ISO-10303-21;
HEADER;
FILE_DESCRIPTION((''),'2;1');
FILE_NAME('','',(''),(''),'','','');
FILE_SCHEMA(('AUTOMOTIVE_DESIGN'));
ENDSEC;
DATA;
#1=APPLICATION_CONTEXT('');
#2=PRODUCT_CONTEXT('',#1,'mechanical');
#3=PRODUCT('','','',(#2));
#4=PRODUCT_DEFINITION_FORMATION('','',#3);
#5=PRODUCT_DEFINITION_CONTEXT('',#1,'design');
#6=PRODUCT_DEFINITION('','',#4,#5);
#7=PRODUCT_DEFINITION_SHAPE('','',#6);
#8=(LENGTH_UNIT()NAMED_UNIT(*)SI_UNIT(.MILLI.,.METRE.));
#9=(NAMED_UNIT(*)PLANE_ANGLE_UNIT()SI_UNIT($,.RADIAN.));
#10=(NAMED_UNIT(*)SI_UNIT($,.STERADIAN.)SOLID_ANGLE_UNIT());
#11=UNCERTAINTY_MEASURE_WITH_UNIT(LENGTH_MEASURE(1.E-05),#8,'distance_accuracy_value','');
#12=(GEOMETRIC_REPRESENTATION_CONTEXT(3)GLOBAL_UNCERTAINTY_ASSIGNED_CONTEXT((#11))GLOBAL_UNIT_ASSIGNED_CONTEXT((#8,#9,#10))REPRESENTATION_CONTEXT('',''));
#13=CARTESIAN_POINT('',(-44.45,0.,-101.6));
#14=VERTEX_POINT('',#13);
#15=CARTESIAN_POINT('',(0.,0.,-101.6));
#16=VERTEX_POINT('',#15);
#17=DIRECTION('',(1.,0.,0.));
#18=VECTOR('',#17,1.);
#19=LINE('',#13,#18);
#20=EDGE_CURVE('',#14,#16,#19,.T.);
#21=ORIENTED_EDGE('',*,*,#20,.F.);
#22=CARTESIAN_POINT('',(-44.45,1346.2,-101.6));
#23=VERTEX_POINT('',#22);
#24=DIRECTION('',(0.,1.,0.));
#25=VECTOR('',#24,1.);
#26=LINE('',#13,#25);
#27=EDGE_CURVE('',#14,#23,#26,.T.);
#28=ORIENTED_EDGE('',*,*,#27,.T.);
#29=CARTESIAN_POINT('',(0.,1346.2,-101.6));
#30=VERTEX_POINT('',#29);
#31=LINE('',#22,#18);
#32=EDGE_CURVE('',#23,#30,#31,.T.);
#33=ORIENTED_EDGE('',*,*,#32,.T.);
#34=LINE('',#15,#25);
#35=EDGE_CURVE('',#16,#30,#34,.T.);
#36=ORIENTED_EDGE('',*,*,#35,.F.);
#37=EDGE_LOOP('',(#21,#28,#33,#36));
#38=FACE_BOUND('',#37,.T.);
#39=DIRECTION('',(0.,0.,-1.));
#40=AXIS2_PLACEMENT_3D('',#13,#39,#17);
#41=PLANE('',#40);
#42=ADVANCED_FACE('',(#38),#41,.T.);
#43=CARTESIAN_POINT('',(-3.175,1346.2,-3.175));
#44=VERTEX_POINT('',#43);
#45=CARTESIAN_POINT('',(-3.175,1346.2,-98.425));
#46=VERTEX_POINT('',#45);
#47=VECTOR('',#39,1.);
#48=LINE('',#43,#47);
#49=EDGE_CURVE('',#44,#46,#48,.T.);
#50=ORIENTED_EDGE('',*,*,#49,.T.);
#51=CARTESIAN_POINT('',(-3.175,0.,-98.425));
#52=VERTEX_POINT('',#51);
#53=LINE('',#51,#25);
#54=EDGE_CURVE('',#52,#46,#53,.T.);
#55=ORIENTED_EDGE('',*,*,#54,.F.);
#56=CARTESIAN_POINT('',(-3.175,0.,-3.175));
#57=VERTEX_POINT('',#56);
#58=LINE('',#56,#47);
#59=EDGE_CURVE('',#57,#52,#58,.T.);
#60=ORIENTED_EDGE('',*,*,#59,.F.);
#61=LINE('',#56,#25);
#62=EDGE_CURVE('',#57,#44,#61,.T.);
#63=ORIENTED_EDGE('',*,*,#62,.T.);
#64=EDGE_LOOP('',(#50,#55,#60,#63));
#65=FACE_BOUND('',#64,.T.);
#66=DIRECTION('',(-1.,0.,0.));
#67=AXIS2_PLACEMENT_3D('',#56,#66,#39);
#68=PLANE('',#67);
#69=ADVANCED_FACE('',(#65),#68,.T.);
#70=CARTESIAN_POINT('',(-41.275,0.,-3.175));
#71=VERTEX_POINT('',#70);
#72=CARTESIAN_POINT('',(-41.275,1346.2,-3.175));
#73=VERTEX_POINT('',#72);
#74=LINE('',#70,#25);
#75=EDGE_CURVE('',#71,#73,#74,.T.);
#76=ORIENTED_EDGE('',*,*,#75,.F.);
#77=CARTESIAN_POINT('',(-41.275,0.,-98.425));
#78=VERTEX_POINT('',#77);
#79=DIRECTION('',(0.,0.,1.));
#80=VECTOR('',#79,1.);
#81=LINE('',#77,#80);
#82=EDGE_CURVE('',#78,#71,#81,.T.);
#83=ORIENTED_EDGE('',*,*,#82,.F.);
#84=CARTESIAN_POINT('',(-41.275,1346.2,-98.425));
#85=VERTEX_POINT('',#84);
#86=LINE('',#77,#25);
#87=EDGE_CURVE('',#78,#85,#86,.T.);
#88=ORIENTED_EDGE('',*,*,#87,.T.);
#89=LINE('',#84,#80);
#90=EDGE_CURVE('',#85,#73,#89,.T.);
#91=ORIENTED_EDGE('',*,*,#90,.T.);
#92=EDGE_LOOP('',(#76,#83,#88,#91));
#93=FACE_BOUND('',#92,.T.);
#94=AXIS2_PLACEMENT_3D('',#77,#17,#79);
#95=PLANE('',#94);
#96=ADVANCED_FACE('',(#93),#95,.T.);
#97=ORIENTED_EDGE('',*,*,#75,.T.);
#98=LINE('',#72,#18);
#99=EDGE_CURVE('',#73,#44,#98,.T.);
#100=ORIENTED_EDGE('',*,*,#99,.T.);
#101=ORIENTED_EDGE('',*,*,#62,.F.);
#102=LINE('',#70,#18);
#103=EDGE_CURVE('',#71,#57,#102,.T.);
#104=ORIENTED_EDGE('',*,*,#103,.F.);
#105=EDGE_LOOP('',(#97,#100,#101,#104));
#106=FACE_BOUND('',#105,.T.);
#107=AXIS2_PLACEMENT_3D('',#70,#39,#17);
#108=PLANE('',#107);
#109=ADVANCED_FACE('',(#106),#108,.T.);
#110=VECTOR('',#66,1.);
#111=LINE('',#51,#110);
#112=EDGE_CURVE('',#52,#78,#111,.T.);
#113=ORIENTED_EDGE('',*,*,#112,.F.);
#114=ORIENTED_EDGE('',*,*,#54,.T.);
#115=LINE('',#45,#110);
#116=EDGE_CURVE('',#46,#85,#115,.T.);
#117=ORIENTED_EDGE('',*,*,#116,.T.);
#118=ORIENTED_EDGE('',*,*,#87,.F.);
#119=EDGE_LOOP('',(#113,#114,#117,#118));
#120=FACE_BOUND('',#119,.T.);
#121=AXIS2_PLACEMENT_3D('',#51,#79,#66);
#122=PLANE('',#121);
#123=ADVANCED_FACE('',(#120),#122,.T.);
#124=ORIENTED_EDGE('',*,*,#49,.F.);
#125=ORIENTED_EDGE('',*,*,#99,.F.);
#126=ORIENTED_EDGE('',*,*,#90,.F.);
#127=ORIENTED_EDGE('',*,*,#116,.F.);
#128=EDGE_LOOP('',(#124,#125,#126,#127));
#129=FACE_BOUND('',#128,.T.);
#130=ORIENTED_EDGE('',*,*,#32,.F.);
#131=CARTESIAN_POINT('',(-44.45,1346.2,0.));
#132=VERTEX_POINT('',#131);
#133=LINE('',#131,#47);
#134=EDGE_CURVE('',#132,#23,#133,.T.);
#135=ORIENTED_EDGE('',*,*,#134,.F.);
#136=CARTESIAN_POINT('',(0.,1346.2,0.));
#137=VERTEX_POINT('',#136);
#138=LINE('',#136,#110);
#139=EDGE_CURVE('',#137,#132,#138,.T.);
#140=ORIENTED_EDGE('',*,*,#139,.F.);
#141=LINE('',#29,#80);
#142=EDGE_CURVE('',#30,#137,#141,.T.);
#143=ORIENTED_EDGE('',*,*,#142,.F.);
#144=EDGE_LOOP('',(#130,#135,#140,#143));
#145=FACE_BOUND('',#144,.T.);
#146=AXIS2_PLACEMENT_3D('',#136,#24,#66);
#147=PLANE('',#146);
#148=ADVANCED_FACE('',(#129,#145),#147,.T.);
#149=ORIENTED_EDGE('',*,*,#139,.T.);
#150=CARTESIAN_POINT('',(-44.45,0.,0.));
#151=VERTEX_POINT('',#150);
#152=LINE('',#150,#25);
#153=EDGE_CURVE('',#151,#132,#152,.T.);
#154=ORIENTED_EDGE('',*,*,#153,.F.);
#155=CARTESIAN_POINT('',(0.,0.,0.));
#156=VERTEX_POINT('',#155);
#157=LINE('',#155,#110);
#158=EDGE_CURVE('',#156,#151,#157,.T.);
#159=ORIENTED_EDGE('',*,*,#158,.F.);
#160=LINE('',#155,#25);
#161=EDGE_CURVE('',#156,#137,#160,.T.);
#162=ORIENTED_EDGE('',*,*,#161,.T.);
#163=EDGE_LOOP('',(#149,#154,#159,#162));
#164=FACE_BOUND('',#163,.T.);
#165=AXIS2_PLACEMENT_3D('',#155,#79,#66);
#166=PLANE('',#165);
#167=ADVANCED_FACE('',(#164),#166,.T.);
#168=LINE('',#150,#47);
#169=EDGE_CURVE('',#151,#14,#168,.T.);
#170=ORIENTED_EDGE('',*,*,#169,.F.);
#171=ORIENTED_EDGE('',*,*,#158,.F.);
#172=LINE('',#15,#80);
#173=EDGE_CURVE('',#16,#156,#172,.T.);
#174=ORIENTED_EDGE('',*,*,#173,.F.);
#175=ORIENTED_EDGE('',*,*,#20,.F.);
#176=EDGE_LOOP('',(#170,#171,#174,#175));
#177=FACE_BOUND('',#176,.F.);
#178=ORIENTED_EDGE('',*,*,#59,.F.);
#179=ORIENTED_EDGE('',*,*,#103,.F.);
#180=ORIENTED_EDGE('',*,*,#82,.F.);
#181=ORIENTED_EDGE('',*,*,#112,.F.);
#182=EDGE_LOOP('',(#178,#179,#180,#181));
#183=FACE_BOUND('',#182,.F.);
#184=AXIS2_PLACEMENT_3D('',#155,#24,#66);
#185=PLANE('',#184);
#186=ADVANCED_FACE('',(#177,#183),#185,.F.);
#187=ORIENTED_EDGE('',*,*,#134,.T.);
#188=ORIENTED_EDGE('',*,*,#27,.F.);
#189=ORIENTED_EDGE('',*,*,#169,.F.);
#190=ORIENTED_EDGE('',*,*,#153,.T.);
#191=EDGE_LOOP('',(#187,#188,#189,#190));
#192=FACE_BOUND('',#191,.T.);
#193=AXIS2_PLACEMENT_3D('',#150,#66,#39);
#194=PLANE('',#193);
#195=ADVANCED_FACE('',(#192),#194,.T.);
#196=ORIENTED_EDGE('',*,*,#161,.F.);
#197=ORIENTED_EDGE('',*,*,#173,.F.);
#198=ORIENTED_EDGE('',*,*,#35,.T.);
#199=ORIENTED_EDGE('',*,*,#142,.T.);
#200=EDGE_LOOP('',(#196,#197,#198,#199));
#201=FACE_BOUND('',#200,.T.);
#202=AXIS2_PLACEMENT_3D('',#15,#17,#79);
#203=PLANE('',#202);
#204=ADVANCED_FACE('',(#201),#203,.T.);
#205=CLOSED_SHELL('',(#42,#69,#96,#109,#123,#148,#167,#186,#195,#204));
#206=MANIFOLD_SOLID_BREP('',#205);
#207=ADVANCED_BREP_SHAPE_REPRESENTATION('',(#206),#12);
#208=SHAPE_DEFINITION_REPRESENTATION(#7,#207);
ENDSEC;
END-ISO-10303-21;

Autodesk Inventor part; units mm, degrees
ref_plane "YZ Plane" through (0, 0, 0) normal (1, 0, 0) x (0, 1, 0)
ref_plane "XZ Plane" through (0, 0, 0) normal (0, 1, 0) x (-1, 0, 0)
ref_plane "XY Plane" through (0, 0, 0) normal (0, 0, 1) x (1, 0, 0)
sketch "Sketch1" plane through (0, 0, 0) normal (0, 1, 0) x (-1, 0, 0)
  line L0 (0, 0) -> (44.45, 0)
  line L1 (44.45, 0) -> (44.45, -101.6)
  line L2 (44.45, -101.6) -> (0, -101.6)
  line L3 (0, -101.6) -> (0, 0)
  line L4 (3.175, -98.425) -> (41.275, -98.425)
  line L5 (41.275, -98.425) -> (41.275, -3.175)
  line L6 (41.275, -3.175) -> (3.175, -3.175)
  line L7 (3.175, -3.175) -> (3.175, -98.425)
  dimension "d0" = 44.45
  dimension "d1" = 101.6
  dimension "d2" = 3.175
extrude "Extrusion1" add sketch "Sketch1" along normal blind 1346.2
properties part number "squareTube1.75x4"
